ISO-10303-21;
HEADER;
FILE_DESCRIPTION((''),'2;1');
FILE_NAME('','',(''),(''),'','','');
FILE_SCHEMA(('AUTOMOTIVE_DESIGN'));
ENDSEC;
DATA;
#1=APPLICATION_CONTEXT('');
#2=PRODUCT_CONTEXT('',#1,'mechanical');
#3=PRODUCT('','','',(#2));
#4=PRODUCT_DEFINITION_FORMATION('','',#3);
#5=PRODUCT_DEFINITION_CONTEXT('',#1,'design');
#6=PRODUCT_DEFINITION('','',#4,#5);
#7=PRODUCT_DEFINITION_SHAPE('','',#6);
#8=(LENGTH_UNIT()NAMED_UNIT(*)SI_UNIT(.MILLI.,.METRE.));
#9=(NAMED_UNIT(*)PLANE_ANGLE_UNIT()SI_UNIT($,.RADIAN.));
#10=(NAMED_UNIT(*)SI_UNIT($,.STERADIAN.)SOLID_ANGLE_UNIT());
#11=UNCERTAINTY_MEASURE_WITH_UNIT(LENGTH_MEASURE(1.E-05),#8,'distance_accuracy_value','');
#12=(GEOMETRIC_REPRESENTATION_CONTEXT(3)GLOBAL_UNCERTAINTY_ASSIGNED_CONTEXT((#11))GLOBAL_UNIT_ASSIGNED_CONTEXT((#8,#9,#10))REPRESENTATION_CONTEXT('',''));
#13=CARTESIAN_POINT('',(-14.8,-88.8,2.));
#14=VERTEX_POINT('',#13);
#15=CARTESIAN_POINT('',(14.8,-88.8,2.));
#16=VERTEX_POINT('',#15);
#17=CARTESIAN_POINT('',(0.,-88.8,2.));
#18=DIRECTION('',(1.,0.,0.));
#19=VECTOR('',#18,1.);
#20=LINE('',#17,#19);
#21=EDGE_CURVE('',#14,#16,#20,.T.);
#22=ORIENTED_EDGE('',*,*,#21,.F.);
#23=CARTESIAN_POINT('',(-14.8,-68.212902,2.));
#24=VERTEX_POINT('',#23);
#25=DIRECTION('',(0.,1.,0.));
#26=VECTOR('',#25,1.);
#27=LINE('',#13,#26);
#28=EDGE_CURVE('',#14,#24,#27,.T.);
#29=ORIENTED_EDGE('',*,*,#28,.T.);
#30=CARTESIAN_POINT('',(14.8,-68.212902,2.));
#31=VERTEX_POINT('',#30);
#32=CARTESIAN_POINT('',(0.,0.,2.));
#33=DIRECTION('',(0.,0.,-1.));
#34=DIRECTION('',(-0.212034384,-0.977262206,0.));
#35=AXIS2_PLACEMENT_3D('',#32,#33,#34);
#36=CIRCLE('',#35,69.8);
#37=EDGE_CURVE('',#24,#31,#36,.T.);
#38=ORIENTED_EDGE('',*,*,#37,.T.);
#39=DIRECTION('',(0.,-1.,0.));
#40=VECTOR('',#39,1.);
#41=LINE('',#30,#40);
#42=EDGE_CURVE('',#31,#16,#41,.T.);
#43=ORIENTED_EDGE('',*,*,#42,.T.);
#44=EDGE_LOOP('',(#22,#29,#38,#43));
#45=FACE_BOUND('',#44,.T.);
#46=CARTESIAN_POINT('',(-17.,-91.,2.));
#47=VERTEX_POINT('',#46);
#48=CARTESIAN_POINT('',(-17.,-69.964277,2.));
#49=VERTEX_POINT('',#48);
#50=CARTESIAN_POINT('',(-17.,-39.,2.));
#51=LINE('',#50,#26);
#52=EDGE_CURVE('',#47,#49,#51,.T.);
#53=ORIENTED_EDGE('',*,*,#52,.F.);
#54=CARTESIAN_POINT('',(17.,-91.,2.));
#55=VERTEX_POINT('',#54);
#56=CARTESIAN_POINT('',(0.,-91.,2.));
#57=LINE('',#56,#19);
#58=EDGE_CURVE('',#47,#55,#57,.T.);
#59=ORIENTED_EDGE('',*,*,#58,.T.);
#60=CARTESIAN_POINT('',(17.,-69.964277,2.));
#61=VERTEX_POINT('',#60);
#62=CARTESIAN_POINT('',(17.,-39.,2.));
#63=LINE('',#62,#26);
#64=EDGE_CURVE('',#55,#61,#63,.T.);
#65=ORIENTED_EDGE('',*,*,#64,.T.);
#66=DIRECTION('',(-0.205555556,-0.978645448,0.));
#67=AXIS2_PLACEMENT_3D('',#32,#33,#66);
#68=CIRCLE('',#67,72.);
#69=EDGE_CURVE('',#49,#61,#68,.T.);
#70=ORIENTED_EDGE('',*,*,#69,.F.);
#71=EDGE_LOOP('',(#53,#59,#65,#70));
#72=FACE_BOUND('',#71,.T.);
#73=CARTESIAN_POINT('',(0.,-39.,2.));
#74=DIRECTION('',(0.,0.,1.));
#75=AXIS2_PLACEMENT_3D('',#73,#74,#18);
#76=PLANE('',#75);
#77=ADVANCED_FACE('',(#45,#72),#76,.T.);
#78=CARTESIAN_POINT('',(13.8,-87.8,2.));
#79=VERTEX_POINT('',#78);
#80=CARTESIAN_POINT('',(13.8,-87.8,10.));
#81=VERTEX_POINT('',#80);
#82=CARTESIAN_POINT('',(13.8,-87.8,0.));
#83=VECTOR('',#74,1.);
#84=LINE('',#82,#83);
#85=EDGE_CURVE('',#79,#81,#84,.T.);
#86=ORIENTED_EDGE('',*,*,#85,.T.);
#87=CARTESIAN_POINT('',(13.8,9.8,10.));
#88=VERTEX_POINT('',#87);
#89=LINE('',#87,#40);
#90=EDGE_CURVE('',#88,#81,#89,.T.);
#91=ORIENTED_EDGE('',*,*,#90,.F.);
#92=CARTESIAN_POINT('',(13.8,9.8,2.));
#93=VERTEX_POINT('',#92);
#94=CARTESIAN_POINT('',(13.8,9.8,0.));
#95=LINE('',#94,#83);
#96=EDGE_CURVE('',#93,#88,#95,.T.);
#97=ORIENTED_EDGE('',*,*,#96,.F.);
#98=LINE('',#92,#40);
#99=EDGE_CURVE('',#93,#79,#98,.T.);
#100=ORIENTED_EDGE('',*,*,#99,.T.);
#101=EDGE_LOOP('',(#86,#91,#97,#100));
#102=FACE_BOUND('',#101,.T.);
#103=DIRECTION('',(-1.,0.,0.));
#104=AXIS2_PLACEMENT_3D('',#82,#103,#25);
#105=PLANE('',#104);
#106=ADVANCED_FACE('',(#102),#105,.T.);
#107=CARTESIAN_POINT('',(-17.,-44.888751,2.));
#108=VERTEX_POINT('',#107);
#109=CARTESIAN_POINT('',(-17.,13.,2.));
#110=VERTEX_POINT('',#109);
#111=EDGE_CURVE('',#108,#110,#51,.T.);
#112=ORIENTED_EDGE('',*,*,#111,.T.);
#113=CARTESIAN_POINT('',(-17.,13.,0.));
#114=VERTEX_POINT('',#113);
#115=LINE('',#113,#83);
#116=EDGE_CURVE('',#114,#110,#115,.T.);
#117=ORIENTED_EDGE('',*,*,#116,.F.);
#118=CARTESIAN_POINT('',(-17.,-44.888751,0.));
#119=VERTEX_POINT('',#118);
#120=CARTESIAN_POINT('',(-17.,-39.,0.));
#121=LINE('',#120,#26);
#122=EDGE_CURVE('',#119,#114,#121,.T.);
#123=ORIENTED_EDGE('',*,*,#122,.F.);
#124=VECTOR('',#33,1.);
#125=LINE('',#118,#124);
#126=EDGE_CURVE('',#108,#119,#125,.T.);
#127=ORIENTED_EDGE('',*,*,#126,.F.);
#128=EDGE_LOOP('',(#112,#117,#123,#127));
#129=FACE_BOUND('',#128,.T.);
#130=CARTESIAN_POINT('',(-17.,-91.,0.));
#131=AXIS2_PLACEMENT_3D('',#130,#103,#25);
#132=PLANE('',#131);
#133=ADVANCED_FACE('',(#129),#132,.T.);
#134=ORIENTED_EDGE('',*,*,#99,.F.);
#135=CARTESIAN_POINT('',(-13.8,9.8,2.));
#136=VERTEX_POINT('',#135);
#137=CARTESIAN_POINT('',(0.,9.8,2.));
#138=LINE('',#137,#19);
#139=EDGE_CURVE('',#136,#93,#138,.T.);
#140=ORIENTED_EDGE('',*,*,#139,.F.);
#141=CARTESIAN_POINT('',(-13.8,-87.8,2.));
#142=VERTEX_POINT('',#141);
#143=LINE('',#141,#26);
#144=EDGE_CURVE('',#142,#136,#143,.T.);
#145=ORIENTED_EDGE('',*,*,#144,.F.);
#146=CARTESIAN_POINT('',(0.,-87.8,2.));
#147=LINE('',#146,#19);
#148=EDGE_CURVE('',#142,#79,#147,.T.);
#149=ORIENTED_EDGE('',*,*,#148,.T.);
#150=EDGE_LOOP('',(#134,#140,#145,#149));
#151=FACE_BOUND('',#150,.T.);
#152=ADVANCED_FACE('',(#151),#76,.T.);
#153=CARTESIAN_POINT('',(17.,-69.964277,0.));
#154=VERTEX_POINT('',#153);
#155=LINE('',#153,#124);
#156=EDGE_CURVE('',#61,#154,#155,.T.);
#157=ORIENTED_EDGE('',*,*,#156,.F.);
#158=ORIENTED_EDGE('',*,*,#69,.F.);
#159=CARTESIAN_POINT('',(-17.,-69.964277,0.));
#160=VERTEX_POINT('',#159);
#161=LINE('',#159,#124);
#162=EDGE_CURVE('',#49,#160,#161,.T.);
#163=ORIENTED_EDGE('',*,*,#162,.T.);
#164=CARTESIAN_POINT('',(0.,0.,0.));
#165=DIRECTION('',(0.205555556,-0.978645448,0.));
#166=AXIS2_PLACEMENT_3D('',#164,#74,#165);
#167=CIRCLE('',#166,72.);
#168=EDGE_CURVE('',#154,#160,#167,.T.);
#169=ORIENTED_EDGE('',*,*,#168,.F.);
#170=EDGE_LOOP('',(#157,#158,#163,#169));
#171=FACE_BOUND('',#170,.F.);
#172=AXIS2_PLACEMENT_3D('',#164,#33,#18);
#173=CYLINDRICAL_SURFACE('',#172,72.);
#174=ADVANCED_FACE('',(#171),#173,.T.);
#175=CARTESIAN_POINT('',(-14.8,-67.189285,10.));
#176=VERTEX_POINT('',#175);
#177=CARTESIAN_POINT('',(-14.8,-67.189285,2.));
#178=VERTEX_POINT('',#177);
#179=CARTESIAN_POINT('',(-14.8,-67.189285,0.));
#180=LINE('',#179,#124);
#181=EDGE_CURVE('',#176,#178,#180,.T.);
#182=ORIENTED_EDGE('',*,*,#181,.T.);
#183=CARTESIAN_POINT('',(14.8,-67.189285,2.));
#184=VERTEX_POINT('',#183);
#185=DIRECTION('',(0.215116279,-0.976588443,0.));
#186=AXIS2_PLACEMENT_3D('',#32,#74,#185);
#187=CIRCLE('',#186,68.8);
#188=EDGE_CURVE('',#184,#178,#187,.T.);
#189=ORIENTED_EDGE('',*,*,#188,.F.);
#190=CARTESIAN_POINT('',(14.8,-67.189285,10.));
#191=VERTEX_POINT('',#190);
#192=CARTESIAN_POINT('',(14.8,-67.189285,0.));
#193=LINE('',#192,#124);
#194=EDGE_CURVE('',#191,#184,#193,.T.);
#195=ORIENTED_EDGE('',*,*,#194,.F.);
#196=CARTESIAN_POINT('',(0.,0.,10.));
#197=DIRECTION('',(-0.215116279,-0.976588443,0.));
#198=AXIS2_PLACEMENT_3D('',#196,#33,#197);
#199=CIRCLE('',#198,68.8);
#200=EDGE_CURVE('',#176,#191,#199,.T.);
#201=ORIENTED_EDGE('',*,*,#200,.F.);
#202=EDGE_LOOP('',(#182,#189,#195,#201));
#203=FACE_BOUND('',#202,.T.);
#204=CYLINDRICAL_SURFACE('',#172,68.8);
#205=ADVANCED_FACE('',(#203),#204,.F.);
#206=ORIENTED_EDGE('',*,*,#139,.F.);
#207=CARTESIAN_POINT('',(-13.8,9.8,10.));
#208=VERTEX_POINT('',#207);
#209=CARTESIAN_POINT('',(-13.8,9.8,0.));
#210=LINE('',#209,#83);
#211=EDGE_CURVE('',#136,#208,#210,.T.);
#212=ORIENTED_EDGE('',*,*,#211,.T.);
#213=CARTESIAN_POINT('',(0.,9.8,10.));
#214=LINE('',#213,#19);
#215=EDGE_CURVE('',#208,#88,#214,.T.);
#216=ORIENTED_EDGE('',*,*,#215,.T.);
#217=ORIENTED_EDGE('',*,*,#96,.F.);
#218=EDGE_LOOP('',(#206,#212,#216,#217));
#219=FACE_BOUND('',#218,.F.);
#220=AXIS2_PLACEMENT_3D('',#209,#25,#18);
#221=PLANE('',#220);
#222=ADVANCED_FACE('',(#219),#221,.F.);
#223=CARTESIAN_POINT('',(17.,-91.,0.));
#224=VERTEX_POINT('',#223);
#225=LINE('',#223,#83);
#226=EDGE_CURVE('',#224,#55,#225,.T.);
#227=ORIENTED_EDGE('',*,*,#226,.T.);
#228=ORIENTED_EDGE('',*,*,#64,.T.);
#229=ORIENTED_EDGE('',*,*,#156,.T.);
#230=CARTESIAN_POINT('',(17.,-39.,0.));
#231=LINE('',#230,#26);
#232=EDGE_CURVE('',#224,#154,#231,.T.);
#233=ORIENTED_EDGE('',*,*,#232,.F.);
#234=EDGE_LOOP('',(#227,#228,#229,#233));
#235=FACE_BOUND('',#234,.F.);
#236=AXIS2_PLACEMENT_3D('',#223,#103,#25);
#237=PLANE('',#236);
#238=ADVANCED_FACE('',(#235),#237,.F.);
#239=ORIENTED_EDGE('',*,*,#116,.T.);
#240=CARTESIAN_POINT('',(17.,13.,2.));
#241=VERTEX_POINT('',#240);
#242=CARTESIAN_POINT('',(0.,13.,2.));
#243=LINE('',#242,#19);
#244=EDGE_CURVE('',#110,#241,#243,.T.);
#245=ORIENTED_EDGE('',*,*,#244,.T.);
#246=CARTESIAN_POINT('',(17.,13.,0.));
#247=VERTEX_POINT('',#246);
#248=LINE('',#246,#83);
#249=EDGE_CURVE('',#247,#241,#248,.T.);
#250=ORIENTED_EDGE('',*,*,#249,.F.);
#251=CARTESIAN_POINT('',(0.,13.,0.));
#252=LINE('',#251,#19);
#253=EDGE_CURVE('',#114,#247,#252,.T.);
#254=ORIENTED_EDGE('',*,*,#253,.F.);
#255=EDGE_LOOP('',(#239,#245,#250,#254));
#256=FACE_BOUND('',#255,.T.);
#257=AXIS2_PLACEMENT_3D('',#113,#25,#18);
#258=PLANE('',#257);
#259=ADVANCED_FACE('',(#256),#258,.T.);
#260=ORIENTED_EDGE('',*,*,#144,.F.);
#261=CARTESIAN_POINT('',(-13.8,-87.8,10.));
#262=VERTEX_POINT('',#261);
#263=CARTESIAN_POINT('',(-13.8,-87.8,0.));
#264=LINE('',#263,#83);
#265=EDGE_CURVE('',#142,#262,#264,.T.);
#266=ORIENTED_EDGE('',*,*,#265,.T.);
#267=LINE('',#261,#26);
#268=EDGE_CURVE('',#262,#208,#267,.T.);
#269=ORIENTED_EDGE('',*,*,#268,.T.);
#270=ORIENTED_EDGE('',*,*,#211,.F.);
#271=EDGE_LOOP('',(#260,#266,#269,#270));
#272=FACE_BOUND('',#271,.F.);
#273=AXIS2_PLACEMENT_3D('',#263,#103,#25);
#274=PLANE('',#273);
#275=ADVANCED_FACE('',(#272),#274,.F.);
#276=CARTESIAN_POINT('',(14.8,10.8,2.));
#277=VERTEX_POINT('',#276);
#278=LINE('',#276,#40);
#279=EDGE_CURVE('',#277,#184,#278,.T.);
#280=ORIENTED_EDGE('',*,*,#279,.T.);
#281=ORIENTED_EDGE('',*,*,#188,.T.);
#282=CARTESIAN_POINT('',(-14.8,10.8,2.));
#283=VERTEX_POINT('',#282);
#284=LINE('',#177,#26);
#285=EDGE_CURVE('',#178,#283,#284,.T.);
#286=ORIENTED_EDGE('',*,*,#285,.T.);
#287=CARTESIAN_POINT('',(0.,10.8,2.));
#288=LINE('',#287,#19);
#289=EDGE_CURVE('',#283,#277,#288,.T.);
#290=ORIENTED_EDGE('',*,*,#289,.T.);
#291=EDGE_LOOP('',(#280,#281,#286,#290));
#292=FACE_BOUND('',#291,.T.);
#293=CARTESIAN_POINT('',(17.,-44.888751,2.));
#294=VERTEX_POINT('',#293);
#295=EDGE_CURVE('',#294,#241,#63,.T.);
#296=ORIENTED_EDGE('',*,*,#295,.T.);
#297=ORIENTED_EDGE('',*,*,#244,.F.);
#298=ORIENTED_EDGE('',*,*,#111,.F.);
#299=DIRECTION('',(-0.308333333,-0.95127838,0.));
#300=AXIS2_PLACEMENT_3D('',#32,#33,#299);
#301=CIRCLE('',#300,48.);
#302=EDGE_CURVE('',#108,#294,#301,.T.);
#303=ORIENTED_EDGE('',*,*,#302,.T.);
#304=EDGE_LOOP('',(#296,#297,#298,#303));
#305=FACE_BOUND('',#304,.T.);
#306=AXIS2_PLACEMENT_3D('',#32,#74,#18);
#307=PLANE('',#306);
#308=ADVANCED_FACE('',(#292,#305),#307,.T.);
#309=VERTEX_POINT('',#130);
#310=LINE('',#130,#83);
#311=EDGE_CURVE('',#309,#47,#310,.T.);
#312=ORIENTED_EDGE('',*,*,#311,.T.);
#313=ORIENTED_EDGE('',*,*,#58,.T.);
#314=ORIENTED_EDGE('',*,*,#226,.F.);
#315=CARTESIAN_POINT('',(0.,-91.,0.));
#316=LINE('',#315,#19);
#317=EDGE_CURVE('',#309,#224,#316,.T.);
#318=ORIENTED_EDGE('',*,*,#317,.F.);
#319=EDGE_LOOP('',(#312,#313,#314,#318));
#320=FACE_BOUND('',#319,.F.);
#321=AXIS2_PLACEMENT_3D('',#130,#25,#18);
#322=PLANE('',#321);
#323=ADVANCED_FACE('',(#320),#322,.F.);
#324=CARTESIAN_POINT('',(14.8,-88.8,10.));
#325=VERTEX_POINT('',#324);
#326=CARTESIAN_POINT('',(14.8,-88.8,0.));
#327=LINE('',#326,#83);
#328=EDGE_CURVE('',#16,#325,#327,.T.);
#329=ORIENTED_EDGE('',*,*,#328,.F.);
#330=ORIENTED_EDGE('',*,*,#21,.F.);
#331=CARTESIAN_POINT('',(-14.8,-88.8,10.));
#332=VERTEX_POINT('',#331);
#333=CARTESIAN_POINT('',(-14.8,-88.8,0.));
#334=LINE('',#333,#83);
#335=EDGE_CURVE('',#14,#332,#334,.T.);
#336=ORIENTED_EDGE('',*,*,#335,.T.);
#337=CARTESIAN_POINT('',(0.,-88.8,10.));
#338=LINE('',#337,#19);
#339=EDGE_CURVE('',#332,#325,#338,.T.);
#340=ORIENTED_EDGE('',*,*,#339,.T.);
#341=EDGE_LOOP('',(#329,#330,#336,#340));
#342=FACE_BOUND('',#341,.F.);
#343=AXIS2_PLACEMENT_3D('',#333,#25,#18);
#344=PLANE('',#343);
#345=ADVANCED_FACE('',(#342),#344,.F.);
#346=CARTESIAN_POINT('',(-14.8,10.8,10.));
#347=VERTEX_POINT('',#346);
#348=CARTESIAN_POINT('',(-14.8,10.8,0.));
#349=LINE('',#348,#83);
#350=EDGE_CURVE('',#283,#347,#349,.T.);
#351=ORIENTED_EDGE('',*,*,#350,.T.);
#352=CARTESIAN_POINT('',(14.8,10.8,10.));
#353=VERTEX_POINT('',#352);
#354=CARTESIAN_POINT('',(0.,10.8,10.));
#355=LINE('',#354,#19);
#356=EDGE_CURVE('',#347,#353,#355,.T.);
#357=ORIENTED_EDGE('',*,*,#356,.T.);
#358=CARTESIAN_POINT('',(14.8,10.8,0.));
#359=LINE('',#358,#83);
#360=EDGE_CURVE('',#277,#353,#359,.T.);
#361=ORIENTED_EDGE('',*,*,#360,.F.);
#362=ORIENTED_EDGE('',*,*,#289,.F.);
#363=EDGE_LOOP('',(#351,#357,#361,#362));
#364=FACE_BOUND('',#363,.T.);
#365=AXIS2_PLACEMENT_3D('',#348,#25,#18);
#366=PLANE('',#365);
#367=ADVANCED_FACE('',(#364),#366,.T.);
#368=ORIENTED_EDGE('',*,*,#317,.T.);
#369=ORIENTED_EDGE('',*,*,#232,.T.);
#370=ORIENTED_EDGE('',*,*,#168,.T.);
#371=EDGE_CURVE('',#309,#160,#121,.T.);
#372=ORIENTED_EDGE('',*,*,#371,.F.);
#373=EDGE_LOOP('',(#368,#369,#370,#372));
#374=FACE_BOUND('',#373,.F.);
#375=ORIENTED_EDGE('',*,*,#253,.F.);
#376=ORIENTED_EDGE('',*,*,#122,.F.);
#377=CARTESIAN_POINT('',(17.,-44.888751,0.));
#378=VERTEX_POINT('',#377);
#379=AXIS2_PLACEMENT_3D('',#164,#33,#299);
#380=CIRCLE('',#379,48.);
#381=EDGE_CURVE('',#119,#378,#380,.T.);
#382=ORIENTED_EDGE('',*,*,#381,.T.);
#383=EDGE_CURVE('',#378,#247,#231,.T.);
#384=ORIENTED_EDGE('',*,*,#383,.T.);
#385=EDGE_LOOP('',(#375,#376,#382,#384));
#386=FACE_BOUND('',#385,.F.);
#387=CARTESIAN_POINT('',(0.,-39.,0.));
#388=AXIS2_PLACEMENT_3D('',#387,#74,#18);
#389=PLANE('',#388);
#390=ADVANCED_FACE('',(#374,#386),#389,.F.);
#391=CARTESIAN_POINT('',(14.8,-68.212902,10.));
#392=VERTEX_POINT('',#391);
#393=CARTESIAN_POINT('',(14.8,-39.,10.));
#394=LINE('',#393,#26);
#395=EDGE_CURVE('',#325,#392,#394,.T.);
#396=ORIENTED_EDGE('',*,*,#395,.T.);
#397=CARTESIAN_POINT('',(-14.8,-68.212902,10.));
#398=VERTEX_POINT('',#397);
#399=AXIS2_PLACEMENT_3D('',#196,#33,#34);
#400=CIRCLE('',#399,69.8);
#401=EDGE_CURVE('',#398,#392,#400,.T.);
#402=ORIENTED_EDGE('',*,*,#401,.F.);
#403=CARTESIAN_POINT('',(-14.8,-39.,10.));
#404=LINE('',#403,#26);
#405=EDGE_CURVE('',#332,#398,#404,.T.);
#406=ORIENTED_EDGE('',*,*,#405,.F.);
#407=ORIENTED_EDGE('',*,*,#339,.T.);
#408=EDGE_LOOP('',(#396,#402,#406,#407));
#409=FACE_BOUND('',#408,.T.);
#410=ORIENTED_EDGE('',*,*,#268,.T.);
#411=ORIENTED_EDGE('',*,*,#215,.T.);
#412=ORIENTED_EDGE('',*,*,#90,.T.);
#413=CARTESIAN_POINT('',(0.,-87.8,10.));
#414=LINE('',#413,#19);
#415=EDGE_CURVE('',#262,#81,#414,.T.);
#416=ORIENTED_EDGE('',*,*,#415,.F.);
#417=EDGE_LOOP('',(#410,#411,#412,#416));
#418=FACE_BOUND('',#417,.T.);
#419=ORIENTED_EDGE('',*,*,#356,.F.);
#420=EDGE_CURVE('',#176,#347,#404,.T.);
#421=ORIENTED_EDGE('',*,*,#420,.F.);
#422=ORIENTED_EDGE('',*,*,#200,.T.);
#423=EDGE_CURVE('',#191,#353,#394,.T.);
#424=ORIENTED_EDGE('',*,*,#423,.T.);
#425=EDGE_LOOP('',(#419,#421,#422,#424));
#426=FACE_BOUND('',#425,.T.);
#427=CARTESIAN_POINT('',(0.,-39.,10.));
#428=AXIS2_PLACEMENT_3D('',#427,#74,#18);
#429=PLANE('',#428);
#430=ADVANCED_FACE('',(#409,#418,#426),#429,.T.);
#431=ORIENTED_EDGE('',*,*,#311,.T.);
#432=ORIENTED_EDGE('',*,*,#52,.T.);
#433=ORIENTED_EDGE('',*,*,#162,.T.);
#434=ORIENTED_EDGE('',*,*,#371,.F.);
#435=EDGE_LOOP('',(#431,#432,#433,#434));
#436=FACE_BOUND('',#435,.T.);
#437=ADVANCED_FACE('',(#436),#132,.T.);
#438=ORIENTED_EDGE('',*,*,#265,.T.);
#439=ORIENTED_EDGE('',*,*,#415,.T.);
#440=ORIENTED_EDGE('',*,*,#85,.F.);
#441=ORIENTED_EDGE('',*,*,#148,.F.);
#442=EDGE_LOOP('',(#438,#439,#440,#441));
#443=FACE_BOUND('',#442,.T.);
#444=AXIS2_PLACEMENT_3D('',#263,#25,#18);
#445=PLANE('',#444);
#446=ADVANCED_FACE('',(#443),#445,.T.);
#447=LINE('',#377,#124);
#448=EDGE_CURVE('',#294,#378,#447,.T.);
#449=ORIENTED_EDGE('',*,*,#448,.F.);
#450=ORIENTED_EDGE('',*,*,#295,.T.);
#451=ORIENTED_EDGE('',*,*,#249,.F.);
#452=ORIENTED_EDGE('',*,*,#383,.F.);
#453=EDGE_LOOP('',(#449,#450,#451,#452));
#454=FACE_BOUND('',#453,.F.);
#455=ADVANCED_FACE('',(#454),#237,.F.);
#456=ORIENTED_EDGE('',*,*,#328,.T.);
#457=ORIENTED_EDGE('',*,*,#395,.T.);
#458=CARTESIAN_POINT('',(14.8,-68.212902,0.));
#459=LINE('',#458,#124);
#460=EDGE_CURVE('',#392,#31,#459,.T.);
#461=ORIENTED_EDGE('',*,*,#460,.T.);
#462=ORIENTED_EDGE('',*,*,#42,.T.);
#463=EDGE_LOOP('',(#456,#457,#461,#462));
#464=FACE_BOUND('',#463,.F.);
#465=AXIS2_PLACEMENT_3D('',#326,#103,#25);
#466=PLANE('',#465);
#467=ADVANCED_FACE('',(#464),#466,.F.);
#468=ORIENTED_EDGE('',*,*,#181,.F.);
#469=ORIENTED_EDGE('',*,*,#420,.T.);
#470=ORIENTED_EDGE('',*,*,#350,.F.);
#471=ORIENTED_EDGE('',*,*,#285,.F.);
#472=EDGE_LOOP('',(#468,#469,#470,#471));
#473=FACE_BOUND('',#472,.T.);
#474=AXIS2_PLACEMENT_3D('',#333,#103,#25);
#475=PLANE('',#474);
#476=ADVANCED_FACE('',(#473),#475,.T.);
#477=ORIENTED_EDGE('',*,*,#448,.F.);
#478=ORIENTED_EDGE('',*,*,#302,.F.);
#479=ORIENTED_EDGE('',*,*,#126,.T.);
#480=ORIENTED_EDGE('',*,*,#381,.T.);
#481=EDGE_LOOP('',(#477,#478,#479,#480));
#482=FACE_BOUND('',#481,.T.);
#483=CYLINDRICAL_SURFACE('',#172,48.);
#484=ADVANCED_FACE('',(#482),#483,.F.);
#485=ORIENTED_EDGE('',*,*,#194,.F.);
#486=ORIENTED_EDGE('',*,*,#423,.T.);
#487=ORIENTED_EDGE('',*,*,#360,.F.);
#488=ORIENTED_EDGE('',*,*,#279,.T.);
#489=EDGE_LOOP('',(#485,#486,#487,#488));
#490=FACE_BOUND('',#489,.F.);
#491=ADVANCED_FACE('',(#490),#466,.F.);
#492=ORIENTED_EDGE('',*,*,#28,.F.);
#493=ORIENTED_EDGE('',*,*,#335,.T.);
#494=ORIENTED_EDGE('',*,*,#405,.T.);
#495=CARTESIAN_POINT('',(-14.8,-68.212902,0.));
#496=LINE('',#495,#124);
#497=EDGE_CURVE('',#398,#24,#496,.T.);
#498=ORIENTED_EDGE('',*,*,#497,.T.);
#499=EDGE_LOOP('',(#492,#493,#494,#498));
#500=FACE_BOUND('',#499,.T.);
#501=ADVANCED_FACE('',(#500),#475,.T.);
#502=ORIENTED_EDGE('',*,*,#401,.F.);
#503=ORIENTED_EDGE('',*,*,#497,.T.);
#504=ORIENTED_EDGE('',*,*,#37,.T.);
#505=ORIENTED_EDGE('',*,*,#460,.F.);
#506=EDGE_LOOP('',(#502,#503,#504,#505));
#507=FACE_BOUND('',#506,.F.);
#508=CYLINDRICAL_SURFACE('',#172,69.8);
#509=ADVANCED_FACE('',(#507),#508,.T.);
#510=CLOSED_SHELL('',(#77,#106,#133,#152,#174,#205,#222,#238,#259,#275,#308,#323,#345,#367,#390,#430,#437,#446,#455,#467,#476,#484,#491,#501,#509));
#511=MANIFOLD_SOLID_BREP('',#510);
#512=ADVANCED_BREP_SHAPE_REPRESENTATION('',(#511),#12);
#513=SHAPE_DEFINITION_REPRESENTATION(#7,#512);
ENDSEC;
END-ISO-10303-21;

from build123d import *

# Parameters (mm, degrees)
F0_R      = 69.8
F0_R_2    = 68.8
F1_DEPTH  = 10
F2_W      = 29.6
F2_H      = 99.6
F2_W_2    = 27.6
F2_H_2    = 97.6
F3_DEPTH  = 10
F4_R      = 68.8
F4_R_2    = 48
F5_DEPTH  = 2
F6_R      = 72
F6_R_2    = 69.8
F7_DEPTH  = 2
F8_W      = 34
F8_H      = 104
F8_W_2    = 29.6
F8_H_2    = 99.6
F9_DEPTH  = 2
F10_W     = 27.6
F10_H     = 97.6
F11_DEPTH = 2
F12_W     = 27.6
F12_H     = 8
F13_DEPTH = 70


with BuildPart() as f1:
    # F0 (on Top) → F1 (new body)
    with BuildSketch(Plane.XY):
        Circle(F0_R)
        Circle(F0_R_2, mode=Mode.SUBTRACT)
    extrude(amount=F1_DEPTH)

    # F2 (on Top) → F3 (join)
    with BuildSketch(Plane.XY):
        with Locations((0, -39)):
            Rectangle(F2_W, F2_H)
        with Locations((0, -39)):
            Rectangle(F2_W_2, F2_H_2, mode=Mode.SUBTRACT)
    extrude(amount=F3_DEPTH)

    # F4 (on Top) → F5 (join)
    with BuildSketch(Plane.XY):
        Circle(F4_R)
        Circle(F4_R_2, mode=Mode.SUBTRACT)
    extrude(amount=F5_DEPTH)

    # F6 (on Top) → F7 (join)
    with BuildSketch(Plane.XY):
        Circle(F6_R)
        Circle(F6_R_2, mode=Mode.SUBTRACT)
    extrude(amount=F7_DEPTH)

    # F8 (on Top) → F9 (join)
    with BuildSketch(Plane.XY):
        with Locations((0, -39)):
            Rectangle(F8_W, F8_H)
        with Locations((0, -39)):
            Rectangle(F8_W_2, F8_H_2, mode=Mode.SUBTRACT)
    extrude(amount=F9_DEPTH)

    # F10 (on Top) → F11 (join)
    with BuildSketch(Plane.XY):
        with Locations((0, -39)):
            Rectangle(F10_W, F10_H)
    extrude(amount=F11_DEPTH)

    # F12 (on Front) → F13 (cut)
    with BuildSketch(Plane.XZ):
        with Locations((0, 6)):
            Rectangle(F12_W, F12_H)
    extrude(amount=F13_DEPTH, mode=Mode.SUBTRACT)


solid = f1.part
